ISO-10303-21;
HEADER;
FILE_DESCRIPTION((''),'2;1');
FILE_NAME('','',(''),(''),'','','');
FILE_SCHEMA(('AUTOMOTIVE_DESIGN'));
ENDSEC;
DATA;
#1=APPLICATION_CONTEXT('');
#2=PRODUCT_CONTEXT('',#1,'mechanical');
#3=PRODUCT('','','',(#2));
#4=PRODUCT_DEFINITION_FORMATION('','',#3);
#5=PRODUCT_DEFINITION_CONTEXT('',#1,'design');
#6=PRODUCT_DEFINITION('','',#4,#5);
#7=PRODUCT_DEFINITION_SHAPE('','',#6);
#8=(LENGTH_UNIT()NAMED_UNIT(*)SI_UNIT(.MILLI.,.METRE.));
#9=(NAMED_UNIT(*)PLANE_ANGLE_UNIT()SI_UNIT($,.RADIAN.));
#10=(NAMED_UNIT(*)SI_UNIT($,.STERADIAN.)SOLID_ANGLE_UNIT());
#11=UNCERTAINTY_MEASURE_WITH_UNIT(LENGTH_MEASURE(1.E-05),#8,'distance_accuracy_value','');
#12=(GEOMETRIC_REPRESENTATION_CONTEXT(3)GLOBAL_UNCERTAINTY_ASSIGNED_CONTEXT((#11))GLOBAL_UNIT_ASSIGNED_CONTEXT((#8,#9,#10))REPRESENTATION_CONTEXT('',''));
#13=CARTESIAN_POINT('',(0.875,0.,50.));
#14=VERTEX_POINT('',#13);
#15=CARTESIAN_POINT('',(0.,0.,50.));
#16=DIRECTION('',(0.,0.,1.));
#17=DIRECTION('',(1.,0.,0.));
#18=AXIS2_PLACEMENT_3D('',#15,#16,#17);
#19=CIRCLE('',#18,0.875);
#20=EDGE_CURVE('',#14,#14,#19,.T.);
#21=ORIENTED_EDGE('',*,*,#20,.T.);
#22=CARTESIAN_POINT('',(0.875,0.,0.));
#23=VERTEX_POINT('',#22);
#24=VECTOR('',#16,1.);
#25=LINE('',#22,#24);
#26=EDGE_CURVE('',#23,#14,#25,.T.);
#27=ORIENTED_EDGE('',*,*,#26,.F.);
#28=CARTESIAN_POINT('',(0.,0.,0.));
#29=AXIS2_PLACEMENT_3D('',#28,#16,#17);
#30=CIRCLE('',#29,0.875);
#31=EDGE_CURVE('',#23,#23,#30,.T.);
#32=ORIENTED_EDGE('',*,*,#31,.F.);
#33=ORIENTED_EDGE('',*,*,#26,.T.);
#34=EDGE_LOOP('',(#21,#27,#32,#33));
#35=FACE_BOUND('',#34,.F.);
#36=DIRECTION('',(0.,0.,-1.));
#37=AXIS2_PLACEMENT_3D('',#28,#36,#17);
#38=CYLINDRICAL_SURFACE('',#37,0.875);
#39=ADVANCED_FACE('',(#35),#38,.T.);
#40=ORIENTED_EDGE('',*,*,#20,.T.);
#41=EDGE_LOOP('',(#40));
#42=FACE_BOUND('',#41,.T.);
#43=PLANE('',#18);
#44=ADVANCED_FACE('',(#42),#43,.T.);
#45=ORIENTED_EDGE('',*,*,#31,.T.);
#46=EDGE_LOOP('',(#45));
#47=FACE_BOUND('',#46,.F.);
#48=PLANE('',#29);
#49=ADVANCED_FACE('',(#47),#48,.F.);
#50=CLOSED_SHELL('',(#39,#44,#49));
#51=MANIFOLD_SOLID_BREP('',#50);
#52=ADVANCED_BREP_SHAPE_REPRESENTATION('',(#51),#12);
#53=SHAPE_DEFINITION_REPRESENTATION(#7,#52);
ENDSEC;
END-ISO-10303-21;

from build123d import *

# Parameters (mm, degrees)
SKETCH_R  = 0.875
PAD_DEPTH = 50


with BuildPart() as part:
    # Sketch → Pad (new body)
    with BuildSketch(Plane.XY):
        Circle(SKETCH_R)
    extrude(amount=PAD_DEPTH)


solid = part.part
